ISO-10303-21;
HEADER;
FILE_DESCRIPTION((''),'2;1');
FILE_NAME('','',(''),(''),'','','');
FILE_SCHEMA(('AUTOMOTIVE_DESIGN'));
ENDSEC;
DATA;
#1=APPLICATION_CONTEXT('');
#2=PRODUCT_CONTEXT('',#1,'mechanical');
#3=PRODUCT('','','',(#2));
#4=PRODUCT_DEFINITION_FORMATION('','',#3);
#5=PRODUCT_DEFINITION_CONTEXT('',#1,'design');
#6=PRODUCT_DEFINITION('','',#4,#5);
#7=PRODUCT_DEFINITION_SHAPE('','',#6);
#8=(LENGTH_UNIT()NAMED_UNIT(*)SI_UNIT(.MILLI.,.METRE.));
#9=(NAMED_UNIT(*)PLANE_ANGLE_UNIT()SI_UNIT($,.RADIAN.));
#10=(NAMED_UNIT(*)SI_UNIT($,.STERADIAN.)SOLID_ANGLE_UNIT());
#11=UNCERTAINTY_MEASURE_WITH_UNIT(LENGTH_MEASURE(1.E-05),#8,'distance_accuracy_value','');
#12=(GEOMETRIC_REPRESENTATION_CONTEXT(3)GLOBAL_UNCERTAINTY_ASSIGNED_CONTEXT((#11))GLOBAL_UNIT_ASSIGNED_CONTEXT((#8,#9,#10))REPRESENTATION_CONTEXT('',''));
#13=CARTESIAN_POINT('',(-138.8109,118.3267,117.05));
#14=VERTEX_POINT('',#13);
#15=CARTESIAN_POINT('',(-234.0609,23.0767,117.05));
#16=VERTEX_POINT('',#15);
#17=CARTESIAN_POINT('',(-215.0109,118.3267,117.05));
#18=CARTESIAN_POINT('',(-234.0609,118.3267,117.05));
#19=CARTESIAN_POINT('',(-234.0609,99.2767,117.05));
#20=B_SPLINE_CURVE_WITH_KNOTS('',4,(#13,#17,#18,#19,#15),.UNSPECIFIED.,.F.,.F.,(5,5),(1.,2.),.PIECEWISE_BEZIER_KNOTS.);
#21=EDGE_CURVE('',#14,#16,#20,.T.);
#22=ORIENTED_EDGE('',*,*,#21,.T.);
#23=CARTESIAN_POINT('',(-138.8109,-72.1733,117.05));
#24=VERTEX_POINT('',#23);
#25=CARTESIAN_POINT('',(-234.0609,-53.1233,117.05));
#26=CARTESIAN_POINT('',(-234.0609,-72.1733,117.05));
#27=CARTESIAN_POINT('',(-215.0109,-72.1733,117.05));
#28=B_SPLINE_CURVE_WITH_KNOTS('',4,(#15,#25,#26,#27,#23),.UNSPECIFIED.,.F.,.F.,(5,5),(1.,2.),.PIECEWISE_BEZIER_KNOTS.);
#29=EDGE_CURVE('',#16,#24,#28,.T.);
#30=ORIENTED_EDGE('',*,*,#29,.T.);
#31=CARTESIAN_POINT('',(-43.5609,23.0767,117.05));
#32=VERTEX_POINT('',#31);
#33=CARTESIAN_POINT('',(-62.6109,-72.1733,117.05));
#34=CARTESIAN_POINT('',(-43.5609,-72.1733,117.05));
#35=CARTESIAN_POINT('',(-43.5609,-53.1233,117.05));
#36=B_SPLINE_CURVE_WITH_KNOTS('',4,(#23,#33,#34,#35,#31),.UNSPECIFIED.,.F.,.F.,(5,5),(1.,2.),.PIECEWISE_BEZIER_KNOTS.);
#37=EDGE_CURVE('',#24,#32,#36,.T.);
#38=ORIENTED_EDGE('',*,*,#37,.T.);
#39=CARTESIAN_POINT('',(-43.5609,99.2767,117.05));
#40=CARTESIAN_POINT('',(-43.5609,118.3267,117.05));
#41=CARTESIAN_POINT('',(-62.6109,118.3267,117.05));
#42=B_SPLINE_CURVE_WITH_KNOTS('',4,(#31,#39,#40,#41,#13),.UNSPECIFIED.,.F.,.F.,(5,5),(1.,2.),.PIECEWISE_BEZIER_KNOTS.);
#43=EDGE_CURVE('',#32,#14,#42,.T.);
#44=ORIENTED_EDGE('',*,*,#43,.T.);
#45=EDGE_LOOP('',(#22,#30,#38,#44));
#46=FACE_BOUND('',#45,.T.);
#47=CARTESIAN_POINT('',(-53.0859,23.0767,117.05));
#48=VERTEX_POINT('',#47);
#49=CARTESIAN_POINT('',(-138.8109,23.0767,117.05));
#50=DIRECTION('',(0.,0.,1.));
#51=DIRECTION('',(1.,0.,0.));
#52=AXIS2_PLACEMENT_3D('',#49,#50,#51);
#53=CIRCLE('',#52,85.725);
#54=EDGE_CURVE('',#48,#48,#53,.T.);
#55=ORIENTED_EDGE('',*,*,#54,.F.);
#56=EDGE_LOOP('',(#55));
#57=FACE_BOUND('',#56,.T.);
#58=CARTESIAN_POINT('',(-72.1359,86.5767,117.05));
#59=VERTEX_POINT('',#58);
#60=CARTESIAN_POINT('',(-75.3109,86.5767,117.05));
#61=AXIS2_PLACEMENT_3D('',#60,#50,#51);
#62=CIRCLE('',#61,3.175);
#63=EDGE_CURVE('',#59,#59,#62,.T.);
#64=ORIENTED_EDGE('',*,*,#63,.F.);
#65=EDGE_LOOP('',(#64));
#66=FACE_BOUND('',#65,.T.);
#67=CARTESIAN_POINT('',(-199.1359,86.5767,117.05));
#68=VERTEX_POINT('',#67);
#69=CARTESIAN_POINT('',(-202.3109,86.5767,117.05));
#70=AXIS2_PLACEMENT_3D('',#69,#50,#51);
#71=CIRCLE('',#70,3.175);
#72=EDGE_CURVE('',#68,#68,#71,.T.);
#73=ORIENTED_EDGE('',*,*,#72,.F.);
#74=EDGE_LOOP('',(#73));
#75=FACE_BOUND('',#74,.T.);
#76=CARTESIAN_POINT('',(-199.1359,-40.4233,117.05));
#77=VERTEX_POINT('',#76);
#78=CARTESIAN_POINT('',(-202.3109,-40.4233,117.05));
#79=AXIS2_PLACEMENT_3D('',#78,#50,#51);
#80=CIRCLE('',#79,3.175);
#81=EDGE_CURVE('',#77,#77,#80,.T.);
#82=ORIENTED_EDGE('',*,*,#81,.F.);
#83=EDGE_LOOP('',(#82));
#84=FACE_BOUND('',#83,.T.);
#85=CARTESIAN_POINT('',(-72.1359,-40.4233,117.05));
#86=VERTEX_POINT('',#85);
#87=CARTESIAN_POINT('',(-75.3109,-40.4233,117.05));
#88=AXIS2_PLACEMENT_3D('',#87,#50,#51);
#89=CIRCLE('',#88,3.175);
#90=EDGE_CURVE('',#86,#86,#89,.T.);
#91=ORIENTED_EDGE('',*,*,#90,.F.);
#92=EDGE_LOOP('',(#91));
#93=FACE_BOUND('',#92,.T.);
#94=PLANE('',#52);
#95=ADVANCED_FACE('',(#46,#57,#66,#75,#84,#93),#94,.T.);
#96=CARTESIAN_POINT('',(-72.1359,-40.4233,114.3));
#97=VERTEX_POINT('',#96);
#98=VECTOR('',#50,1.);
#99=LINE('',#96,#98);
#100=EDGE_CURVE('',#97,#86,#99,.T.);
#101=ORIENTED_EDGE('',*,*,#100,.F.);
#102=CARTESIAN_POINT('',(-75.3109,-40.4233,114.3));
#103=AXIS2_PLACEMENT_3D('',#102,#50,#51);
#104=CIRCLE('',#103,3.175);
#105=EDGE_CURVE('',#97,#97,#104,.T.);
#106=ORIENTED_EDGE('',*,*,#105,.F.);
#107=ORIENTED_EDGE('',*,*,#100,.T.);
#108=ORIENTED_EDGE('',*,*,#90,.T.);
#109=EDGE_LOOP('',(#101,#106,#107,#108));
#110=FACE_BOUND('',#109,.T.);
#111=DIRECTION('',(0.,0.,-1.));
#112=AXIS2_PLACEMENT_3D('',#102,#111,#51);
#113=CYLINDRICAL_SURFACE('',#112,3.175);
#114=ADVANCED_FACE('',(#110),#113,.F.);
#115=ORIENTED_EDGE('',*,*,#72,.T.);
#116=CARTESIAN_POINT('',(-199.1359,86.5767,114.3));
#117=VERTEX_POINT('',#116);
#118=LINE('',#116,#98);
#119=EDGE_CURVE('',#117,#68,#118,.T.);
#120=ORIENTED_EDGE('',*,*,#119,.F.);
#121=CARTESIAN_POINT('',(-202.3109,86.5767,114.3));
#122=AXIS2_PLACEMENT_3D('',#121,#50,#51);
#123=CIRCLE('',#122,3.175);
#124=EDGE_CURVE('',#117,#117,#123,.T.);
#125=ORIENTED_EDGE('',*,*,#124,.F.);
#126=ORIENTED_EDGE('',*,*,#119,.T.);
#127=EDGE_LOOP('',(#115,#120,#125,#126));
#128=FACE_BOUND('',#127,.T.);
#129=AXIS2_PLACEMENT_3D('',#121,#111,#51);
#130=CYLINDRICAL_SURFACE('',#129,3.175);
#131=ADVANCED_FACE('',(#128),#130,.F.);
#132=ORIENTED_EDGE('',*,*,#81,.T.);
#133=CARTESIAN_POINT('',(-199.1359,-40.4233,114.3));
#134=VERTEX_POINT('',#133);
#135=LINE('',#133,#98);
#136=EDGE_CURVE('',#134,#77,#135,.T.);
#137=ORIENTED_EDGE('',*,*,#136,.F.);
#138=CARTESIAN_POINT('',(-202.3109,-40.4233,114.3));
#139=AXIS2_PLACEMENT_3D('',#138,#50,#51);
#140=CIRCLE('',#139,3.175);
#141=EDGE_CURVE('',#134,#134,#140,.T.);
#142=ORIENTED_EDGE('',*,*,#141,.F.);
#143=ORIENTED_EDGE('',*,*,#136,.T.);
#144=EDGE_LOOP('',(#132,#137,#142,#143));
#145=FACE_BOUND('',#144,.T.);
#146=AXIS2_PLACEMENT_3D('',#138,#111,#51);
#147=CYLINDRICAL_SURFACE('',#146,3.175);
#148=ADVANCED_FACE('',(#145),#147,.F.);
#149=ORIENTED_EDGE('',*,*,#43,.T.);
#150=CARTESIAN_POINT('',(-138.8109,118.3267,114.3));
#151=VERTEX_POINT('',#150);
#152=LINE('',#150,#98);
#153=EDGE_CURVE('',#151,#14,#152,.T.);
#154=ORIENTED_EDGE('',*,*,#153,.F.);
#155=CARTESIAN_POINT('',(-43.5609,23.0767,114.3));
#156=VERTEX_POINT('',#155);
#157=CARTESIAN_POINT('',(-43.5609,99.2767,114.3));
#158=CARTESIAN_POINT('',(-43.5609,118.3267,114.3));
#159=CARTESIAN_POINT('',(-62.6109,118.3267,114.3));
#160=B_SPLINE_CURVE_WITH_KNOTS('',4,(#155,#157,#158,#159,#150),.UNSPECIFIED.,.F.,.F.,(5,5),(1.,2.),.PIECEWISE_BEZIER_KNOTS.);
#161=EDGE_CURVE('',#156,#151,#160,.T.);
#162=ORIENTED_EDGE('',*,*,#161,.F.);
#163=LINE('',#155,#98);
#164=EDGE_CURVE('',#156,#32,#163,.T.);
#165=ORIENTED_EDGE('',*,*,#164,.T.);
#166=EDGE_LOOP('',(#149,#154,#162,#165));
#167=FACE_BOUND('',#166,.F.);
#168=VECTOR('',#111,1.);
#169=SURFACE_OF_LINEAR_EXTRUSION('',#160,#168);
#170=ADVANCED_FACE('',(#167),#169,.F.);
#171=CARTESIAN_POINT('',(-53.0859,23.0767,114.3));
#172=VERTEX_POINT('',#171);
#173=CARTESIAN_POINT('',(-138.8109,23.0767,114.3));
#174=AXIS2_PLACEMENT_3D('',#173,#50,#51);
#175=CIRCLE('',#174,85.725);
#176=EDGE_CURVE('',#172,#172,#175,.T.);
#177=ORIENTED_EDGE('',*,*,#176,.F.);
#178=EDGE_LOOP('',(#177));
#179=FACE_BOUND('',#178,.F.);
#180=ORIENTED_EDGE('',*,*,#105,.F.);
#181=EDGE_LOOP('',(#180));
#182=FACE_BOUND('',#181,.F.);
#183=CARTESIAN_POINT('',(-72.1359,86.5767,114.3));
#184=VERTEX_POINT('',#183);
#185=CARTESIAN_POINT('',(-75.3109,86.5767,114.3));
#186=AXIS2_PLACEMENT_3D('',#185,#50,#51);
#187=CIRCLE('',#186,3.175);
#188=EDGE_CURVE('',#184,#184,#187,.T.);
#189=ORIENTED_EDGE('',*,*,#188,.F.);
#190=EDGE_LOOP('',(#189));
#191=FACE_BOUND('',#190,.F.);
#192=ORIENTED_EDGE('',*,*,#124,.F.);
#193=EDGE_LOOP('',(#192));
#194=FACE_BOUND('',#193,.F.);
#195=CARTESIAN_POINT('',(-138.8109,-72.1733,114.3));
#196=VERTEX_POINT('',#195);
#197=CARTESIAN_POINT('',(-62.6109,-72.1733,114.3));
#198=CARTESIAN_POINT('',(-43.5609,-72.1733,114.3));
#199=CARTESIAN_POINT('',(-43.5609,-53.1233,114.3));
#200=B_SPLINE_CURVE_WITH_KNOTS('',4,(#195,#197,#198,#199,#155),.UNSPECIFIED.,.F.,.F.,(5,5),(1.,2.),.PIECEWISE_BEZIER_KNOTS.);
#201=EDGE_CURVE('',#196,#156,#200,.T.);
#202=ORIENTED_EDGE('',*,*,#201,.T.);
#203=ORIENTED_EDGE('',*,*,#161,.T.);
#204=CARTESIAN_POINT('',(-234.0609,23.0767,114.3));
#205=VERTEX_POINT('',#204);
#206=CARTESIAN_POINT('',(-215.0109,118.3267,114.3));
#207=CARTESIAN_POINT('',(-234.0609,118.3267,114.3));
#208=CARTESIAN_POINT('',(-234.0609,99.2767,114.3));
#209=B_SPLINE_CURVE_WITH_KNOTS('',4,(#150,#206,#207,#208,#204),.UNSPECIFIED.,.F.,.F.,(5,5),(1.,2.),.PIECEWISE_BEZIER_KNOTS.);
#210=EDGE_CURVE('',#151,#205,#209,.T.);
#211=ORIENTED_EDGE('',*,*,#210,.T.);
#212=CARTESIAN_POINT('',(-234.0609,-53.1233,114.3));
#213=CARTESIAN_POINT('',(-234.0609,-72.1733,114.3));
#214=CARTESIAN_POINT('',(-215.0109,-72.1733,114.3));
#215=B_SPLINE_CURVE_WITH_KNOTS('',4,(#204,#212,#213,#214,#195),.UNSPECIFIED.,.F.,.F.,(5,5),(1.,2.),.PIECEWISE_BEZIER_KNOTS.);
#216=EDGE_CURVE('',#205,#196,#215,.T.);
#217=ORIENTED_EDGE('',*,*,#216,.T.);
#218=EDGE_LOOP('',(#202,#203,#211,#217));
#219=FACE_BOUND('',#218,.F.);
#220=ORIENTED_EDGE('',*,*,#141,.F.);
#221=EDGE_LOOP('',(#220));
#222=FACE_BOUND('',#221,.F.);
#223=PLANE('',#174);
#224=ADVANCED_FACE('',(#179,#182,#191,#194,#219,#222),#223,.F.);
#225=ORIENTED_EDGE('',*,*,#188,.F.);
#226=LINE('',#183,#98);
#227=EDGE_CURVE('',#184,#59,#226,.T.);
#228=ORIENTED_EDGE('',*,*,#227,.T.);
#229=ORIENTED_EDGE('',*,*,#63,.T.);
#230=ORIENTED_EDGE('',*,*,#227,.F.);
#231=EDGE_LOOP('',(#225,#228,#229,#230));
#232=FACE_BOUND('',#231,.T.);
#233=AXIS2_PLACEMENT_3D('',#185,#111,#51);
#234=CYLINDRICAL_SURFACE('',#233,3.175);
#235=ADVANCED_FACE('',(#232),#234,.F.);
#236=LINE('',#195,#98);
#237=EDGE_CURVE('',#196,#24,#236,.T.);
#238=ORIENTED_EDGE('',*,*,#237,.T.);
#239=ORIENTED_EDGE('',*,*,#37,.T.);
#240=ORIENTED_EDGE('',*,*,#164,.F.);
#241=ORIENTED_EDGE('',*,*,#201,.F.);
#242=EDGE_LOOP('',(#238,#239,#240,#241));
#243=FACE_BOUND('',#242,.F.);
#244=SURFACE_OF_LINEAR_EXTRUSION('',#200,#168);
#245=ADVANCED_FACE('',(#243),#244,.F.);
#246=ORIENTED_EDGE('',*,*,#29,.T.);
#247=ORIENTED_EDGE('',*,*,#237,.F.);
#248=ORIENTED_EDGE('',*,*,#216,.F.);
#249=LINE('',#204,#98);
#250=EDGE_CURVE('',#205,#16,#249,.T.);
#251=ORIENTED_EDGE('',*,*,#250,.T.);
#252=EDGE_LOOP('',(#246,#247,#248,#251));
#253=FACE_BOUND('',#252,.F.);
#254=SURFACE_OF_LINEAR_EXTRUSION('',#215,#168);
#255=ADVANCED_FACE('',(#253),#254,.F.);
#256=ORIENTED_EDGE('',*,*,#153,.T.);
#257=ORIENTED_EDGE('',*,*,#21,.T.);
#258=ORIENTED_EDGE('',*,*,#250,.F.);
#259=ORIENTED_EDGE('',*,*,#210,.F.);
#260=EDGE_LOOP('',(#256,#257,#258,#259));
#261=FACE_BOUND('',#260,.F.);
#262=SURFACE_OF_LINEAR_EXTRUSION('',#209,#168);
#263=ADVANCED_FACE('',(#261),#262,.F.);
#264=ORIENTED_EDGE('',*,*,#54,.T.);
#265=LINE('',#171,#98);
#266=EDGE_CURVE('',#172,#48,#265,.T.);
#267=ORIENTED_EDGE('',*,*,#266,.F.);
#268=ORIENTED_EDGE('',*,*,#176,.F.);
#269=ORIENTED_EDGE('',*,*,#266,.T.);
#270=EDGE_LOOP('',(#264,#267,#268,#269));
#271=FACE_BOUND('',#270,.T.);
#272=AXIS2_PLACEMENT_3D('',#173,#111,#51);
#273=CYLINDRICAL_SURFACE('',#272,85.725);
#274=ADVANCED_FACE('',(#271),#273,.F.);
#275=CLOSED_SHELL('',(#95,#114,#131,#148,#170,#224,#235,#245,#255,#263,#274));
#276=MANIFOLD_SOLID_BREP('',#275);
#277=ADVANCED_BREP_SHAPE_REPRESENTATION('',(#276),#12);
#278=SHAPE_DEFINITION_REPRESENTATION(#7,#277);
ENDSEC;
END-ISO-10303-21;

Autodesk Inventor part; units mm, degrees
ref_plane "YZ Plane" through (0, 0, 0) normal (1, 0, 0) x (0, 1, 0)
ref_plane "XZ Plane" through (0, 0, 0) normal (0, 1, 0) x (-1, 0, 0)
ref_plane "XY Plane" through (0, 0, 0) normal (0, 0, 1) x (1, 0, 0)
ref_plane "Work Plane1" through (-138.8109, 23.0767, 114.3) normal (0, 0, 1) x (1, 0, 0)
sketch "Sketch1" plane through (-138.8109, 23.0767, 114.3) normal (0, 0, 1) x (1, 0, 0)
  spline S0 degree 4 poles (0, 95.25) (-76.2, 95.25) (-95.25, 95.25) (-95.25, 76.2) (-95.25, 0) knots 1 1 1 1 1 2 2 2 2 2 projected
  spline S1 degree 4 poles (95.25, 0) (95.25, 76.2) (95.25, 95.25) (76.2, 95.25) (0, 95.25) knots 1 1 1 1 1 2 2 2 2 2 projected
  spline S2 degree 4 poles (0, -95.25) (76.2, -95.25) (95.25, -95.25) (95.25, -76.2) (95.25, 0) knots 1 1 1 1 1 2 2 2 2 2 projected
  spline S3 degree 4 poles (-95.25, 0) (-95.25, -76.2) (-95.25, -95.25) (-76.2, -95.25) (0, -95.25) knots 1 1 1 1 1 2 2 2 2 2 projected
  line L0 (0, 95.25) -> (0, -95.25) construction
  line L1 (95.25, 0) -> (-95.25, 0) construction
  spline S4 degree 3 poles (-93.6625, 0) (-93.6625, 13.1515) (-93.6641, 24.3836) (-93.4921, 34.0057) (-93.1277, 54.3921) (-91.9513, 67.5764) (-88.2745, 76.0527) (-86.2377, 80.7481) (-83.4985, 84.0104) (-79.5283, 86.4707) (-74.4505, 89.6173) (-67.2348, 91.4109) (-56.937, 92.4035) (-43.6826, 93.6811) (-25.4087, 93.6625) (0, 93.6625) knots -2 -2 -2 -2 -1.870556 -1.870556 -1.870556 -1.596305 -1.596305 -1.596305 -1.444385 -1.444385 -1.444385 -1.250085 -1.250085 -1.250085 -1 -1 -1 -1 construction
  spline S5 degree 3 poles (0, 93.6625) (13.1515, 93.6625) (24.3836, 93.6642) (34.0057, 93.4922) (54.392, 93.1278) (67.5764, 91.9513) (76.0526, 88.2745) (80.748, 86.2378) (84.0104, 83.4986) (86.4706, 79.5283) (89.6173, 74.4505) (91.4109, 67.2348) (92.4035, 56.937) (93.681, 43.6826) (93.6625, 25.4087) (93.6625, 0) knots -2 -2 -2 -2 -1.870556 -1.870556 -1.870556 -1.596305 -1.596305 -1.596305 -1.444385 -1.444385 -1.444385 -1.250085 -1.250085 -1.250085 -1 -1 -1 -1 construction
  spline S6 degree 3 poles (0, -93.6625) (-13.1515, -93.6625) (-24.3836, -93.6641) (-34.0057, -93.4921) (-54.392, -93.1277) (-67.5764, -91.9512) (-76.0526, -88.2744) (-80.748, -86.2377) (-84.0104, -83.4985) (-86.4706, -79.5283) (-89.6173, -74.4505) (-91.4109, -67.2347) (-92.4035, -56.9369) (-93.681, -43.6826) (-93.6625, -25.4086) (-93.6625, 0) knots -2 -2 -2 -2 -1.870556 -1.870556 -1.870556 -1.596305 -1.596305 -1.596305 -1.444385 -1.444385 -1.444385 -1.250085 -1.250085 -1.250085 -1 -1 -1 -1 construction
  spline S7 degree 3 poles (93.6625, 0) (93.6625, -13.1514) (93.6641, -24.3836) (93.4921, -34.0057) (93.1277, -54.392) (91.9513, -67.5763) (88.2745, -76.0526) (86.2377, -80.748) (83.4985, -84.0103) (79.5283, -86.4706) (74.4505, -89.6172) (67.2348, -91.4108) (56.937, -92.4034) (43.6826, -93.681) (25.4087, -93.6625) (0, -93.6625) knots -2 -2 -2 -2 -1.870556 -1.870556 -1.870556 -1.596305 -1.596305 -1.596305 -1.444385 -1.444385 -1.444385 -1.250085 -1.250085 -1.250085 -1 -1 -1 -1 construction
  line L2 (-63.5, 63.5) -> (63.5, 63.5) construction
  line L3 (63.5, 63.5) -> (63.5, -63.5) construction
  line L4 (63.5, -63.5) -> (-63.5, -63.5) construction
  line L5 (-63.5, -63.5) -> (-63.5, 63.5) construction
  circle A0 centre (0, 0) radius 85.725
  circle A1 centre (63.5, 63.5) radius 3.175
  circle A2 centre (-63.5, 63.5) radius 3.175
  circle A3 centre (-63.5, -63.5) radius 3.175
  circle A4 centre (63.5, -63.5) radius 3.175
  point P0 (138.8109, -23.0767)
  dimension "d0" = 127
  dimension "d1" = 127
  dimension "d2" = 63.5
  dimension "d3" = 63.5
  dimension "d4" = 171.45
  dimension "d7" = 6.35
  dimension "d8" = 6.35
  dimension "d9" = 6.35
  dimension "d10" = 6.35
extrude "Extrusion1" add sketch "Sketch1" along normal blind 2.75
properties part number "Frame Lower"
